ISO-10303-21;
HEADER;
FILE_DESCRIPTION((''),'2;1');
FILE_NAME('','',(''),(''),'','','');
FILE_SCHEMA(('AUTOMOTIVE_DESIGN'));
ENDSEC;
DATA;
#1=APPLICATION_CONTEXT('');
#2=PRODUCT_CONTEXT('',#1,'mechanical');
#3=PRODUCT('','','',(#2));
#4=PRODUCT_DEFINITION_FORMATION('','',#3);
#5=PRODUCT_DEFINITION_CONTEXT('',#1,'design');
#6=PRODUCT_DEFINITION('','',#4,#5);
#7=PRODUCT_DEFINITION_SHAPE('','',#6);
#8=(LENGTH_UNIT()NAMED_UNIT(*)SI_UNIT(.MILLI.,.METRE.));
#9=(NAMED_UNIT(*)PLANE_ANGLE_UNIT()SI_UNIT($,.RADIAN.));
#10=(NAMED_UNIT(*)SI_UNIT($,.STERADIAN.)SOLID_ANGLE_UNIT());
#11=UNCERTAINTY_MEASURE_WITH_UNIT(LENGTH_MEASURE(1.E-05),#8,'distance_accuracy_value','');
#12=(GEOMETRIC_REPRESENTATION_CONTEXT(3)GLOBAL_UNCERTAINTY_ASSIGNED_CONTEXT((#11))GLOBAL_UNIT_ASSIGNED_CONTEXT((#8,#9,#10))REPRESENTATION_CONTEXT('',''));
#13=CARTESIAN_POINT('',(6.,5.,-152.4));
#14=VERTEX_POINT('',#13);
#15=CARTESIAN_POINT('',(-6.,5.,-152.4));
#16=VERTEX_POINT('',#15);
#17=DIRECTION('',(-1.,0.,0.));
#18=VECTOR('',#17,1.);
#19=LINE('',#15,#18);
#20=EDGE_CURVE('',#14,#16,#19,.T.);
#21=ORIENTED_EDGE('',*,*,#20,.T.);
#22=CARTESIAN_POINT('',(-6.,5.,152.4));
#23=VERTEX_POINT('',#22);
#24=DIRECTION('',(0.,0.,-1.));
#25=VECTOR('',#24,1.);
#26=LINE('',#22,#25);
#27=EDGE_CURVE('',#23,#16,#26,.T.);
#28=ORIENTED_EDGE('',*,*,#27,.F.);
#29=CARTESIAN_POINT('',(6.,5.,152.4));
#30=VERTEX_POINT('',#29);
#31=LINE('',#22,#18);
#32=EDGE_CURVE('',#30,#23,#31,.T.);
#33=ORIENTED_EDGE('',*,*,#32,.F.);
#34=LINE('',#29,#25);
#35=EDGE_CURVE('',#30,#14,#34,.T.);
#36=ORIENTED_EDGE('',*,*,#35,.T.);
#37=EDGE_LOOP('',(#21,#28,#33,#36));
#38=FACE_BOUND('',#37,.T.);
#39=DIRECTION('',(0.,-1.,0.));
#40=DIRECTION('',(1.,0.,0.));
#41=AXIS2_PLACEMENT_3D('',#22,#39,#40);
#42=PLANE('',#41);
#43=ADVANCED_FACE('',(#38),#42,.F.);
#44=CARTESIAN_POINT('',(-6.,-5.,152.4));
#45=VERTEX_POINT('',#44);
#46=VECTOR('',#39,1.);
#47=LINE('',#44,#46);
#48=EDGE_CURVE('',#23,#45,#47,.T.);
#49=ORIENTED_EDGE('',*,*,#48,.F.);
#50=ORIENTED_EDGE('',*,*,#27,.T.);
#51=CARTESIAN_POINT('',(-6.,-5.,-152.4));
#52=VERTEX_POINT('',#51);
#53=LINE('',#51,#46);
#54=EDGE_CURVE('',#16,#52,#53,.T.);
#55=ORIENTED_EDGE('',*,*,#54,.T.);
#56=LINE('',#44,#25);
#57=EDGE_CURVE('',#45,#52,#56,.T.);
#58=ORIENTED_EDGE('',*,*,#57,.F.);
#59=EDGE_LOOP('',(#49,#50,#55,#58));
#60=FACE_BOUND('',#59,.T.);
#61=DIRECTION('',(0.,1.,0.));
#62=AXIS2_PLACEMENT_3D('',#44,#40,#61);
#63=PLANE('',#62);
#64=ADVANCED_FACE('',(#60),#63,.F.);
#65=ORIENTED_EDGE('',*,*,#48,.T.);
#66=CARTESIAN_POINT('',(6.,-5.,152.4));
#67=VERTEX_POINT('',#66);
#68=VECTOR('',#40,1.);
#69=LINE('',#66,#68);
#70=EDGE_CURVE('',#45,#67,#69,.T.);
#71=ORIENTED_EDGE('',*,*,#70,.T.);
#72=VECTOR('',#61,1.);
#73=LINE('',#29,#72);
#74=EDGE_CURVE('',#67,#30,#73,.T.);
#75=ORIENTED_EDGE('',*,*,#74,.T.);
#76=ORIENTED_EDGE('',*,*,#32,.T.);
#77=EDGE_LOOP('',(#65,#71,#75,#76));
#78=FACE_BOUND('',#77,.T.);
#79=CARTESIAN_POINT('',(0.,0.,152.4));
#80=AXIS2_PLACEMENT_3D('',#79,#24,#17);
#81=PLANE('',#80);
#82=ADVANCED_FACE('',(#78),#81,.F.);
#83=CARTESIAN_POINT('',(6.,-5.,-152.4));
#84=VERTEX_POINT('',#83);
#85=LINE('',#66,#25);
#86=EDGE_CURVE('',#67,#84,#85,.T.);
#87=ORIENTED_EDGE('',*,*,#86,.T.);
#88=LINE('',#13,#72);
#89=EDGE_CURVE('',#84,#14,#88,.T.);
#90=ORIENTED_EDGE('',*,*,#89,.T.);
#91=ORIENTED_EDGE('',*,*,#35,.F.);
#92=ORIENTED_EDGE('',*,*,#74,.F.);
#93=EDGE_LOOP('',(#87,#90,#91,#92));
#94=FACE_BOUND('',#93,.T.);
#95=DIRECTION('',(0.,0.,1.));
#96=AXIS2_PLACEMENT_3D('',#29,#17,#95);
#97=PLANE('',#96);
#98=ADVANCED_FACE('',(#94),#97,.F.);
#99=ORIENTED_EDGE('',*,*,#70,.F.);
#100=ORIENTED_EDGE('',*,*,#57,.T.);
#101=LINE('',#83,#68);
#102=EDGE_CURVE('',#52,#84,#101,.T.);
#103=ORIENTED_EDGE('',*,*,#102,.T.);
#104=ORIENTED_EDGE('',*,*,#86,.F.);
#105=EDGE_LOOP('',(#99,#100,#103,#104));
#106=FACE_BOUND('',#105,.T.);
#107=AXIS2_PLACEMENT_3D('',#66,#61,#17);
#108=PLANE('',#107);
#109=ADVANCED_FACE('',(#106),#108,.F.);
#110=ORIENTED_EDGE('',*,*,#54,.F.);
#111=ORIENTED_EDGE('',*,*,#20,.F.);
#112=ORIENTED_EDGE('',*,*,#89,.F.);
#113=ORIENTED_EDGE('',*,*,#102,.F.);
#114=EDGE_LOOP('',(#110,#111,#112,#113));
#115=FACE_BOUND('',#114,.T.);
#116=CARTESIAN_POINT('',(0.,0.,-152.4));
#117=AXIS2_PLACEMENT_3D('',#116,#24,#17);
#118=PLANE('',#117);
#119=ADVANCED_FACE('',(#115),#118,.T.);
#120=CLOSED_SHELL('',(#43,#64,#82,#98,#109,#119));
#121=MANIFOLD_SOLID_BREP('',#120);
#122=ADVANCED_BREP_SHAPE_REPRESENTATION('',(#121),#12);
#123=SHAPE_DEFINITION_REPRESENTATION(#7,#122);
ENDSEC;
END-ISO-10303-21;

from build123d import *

# Parameters (mm, degrees)
SKETCH3_W           = 12
SKETCH3_H           = 10
BOSS_EXTRUDE1_DEPTH = 152.4


with BuildPart() as part:
    # Sketch3 → Boss-Extrude1 (new, symmetric)
    with BuildSketch(Plane.XY):
        Rectangle(SKETCH3_W, SKETCH3_H)
    extrude(amount=BOSS_EXTRUDE1_DEPTH, both=True)


solid = part.part
